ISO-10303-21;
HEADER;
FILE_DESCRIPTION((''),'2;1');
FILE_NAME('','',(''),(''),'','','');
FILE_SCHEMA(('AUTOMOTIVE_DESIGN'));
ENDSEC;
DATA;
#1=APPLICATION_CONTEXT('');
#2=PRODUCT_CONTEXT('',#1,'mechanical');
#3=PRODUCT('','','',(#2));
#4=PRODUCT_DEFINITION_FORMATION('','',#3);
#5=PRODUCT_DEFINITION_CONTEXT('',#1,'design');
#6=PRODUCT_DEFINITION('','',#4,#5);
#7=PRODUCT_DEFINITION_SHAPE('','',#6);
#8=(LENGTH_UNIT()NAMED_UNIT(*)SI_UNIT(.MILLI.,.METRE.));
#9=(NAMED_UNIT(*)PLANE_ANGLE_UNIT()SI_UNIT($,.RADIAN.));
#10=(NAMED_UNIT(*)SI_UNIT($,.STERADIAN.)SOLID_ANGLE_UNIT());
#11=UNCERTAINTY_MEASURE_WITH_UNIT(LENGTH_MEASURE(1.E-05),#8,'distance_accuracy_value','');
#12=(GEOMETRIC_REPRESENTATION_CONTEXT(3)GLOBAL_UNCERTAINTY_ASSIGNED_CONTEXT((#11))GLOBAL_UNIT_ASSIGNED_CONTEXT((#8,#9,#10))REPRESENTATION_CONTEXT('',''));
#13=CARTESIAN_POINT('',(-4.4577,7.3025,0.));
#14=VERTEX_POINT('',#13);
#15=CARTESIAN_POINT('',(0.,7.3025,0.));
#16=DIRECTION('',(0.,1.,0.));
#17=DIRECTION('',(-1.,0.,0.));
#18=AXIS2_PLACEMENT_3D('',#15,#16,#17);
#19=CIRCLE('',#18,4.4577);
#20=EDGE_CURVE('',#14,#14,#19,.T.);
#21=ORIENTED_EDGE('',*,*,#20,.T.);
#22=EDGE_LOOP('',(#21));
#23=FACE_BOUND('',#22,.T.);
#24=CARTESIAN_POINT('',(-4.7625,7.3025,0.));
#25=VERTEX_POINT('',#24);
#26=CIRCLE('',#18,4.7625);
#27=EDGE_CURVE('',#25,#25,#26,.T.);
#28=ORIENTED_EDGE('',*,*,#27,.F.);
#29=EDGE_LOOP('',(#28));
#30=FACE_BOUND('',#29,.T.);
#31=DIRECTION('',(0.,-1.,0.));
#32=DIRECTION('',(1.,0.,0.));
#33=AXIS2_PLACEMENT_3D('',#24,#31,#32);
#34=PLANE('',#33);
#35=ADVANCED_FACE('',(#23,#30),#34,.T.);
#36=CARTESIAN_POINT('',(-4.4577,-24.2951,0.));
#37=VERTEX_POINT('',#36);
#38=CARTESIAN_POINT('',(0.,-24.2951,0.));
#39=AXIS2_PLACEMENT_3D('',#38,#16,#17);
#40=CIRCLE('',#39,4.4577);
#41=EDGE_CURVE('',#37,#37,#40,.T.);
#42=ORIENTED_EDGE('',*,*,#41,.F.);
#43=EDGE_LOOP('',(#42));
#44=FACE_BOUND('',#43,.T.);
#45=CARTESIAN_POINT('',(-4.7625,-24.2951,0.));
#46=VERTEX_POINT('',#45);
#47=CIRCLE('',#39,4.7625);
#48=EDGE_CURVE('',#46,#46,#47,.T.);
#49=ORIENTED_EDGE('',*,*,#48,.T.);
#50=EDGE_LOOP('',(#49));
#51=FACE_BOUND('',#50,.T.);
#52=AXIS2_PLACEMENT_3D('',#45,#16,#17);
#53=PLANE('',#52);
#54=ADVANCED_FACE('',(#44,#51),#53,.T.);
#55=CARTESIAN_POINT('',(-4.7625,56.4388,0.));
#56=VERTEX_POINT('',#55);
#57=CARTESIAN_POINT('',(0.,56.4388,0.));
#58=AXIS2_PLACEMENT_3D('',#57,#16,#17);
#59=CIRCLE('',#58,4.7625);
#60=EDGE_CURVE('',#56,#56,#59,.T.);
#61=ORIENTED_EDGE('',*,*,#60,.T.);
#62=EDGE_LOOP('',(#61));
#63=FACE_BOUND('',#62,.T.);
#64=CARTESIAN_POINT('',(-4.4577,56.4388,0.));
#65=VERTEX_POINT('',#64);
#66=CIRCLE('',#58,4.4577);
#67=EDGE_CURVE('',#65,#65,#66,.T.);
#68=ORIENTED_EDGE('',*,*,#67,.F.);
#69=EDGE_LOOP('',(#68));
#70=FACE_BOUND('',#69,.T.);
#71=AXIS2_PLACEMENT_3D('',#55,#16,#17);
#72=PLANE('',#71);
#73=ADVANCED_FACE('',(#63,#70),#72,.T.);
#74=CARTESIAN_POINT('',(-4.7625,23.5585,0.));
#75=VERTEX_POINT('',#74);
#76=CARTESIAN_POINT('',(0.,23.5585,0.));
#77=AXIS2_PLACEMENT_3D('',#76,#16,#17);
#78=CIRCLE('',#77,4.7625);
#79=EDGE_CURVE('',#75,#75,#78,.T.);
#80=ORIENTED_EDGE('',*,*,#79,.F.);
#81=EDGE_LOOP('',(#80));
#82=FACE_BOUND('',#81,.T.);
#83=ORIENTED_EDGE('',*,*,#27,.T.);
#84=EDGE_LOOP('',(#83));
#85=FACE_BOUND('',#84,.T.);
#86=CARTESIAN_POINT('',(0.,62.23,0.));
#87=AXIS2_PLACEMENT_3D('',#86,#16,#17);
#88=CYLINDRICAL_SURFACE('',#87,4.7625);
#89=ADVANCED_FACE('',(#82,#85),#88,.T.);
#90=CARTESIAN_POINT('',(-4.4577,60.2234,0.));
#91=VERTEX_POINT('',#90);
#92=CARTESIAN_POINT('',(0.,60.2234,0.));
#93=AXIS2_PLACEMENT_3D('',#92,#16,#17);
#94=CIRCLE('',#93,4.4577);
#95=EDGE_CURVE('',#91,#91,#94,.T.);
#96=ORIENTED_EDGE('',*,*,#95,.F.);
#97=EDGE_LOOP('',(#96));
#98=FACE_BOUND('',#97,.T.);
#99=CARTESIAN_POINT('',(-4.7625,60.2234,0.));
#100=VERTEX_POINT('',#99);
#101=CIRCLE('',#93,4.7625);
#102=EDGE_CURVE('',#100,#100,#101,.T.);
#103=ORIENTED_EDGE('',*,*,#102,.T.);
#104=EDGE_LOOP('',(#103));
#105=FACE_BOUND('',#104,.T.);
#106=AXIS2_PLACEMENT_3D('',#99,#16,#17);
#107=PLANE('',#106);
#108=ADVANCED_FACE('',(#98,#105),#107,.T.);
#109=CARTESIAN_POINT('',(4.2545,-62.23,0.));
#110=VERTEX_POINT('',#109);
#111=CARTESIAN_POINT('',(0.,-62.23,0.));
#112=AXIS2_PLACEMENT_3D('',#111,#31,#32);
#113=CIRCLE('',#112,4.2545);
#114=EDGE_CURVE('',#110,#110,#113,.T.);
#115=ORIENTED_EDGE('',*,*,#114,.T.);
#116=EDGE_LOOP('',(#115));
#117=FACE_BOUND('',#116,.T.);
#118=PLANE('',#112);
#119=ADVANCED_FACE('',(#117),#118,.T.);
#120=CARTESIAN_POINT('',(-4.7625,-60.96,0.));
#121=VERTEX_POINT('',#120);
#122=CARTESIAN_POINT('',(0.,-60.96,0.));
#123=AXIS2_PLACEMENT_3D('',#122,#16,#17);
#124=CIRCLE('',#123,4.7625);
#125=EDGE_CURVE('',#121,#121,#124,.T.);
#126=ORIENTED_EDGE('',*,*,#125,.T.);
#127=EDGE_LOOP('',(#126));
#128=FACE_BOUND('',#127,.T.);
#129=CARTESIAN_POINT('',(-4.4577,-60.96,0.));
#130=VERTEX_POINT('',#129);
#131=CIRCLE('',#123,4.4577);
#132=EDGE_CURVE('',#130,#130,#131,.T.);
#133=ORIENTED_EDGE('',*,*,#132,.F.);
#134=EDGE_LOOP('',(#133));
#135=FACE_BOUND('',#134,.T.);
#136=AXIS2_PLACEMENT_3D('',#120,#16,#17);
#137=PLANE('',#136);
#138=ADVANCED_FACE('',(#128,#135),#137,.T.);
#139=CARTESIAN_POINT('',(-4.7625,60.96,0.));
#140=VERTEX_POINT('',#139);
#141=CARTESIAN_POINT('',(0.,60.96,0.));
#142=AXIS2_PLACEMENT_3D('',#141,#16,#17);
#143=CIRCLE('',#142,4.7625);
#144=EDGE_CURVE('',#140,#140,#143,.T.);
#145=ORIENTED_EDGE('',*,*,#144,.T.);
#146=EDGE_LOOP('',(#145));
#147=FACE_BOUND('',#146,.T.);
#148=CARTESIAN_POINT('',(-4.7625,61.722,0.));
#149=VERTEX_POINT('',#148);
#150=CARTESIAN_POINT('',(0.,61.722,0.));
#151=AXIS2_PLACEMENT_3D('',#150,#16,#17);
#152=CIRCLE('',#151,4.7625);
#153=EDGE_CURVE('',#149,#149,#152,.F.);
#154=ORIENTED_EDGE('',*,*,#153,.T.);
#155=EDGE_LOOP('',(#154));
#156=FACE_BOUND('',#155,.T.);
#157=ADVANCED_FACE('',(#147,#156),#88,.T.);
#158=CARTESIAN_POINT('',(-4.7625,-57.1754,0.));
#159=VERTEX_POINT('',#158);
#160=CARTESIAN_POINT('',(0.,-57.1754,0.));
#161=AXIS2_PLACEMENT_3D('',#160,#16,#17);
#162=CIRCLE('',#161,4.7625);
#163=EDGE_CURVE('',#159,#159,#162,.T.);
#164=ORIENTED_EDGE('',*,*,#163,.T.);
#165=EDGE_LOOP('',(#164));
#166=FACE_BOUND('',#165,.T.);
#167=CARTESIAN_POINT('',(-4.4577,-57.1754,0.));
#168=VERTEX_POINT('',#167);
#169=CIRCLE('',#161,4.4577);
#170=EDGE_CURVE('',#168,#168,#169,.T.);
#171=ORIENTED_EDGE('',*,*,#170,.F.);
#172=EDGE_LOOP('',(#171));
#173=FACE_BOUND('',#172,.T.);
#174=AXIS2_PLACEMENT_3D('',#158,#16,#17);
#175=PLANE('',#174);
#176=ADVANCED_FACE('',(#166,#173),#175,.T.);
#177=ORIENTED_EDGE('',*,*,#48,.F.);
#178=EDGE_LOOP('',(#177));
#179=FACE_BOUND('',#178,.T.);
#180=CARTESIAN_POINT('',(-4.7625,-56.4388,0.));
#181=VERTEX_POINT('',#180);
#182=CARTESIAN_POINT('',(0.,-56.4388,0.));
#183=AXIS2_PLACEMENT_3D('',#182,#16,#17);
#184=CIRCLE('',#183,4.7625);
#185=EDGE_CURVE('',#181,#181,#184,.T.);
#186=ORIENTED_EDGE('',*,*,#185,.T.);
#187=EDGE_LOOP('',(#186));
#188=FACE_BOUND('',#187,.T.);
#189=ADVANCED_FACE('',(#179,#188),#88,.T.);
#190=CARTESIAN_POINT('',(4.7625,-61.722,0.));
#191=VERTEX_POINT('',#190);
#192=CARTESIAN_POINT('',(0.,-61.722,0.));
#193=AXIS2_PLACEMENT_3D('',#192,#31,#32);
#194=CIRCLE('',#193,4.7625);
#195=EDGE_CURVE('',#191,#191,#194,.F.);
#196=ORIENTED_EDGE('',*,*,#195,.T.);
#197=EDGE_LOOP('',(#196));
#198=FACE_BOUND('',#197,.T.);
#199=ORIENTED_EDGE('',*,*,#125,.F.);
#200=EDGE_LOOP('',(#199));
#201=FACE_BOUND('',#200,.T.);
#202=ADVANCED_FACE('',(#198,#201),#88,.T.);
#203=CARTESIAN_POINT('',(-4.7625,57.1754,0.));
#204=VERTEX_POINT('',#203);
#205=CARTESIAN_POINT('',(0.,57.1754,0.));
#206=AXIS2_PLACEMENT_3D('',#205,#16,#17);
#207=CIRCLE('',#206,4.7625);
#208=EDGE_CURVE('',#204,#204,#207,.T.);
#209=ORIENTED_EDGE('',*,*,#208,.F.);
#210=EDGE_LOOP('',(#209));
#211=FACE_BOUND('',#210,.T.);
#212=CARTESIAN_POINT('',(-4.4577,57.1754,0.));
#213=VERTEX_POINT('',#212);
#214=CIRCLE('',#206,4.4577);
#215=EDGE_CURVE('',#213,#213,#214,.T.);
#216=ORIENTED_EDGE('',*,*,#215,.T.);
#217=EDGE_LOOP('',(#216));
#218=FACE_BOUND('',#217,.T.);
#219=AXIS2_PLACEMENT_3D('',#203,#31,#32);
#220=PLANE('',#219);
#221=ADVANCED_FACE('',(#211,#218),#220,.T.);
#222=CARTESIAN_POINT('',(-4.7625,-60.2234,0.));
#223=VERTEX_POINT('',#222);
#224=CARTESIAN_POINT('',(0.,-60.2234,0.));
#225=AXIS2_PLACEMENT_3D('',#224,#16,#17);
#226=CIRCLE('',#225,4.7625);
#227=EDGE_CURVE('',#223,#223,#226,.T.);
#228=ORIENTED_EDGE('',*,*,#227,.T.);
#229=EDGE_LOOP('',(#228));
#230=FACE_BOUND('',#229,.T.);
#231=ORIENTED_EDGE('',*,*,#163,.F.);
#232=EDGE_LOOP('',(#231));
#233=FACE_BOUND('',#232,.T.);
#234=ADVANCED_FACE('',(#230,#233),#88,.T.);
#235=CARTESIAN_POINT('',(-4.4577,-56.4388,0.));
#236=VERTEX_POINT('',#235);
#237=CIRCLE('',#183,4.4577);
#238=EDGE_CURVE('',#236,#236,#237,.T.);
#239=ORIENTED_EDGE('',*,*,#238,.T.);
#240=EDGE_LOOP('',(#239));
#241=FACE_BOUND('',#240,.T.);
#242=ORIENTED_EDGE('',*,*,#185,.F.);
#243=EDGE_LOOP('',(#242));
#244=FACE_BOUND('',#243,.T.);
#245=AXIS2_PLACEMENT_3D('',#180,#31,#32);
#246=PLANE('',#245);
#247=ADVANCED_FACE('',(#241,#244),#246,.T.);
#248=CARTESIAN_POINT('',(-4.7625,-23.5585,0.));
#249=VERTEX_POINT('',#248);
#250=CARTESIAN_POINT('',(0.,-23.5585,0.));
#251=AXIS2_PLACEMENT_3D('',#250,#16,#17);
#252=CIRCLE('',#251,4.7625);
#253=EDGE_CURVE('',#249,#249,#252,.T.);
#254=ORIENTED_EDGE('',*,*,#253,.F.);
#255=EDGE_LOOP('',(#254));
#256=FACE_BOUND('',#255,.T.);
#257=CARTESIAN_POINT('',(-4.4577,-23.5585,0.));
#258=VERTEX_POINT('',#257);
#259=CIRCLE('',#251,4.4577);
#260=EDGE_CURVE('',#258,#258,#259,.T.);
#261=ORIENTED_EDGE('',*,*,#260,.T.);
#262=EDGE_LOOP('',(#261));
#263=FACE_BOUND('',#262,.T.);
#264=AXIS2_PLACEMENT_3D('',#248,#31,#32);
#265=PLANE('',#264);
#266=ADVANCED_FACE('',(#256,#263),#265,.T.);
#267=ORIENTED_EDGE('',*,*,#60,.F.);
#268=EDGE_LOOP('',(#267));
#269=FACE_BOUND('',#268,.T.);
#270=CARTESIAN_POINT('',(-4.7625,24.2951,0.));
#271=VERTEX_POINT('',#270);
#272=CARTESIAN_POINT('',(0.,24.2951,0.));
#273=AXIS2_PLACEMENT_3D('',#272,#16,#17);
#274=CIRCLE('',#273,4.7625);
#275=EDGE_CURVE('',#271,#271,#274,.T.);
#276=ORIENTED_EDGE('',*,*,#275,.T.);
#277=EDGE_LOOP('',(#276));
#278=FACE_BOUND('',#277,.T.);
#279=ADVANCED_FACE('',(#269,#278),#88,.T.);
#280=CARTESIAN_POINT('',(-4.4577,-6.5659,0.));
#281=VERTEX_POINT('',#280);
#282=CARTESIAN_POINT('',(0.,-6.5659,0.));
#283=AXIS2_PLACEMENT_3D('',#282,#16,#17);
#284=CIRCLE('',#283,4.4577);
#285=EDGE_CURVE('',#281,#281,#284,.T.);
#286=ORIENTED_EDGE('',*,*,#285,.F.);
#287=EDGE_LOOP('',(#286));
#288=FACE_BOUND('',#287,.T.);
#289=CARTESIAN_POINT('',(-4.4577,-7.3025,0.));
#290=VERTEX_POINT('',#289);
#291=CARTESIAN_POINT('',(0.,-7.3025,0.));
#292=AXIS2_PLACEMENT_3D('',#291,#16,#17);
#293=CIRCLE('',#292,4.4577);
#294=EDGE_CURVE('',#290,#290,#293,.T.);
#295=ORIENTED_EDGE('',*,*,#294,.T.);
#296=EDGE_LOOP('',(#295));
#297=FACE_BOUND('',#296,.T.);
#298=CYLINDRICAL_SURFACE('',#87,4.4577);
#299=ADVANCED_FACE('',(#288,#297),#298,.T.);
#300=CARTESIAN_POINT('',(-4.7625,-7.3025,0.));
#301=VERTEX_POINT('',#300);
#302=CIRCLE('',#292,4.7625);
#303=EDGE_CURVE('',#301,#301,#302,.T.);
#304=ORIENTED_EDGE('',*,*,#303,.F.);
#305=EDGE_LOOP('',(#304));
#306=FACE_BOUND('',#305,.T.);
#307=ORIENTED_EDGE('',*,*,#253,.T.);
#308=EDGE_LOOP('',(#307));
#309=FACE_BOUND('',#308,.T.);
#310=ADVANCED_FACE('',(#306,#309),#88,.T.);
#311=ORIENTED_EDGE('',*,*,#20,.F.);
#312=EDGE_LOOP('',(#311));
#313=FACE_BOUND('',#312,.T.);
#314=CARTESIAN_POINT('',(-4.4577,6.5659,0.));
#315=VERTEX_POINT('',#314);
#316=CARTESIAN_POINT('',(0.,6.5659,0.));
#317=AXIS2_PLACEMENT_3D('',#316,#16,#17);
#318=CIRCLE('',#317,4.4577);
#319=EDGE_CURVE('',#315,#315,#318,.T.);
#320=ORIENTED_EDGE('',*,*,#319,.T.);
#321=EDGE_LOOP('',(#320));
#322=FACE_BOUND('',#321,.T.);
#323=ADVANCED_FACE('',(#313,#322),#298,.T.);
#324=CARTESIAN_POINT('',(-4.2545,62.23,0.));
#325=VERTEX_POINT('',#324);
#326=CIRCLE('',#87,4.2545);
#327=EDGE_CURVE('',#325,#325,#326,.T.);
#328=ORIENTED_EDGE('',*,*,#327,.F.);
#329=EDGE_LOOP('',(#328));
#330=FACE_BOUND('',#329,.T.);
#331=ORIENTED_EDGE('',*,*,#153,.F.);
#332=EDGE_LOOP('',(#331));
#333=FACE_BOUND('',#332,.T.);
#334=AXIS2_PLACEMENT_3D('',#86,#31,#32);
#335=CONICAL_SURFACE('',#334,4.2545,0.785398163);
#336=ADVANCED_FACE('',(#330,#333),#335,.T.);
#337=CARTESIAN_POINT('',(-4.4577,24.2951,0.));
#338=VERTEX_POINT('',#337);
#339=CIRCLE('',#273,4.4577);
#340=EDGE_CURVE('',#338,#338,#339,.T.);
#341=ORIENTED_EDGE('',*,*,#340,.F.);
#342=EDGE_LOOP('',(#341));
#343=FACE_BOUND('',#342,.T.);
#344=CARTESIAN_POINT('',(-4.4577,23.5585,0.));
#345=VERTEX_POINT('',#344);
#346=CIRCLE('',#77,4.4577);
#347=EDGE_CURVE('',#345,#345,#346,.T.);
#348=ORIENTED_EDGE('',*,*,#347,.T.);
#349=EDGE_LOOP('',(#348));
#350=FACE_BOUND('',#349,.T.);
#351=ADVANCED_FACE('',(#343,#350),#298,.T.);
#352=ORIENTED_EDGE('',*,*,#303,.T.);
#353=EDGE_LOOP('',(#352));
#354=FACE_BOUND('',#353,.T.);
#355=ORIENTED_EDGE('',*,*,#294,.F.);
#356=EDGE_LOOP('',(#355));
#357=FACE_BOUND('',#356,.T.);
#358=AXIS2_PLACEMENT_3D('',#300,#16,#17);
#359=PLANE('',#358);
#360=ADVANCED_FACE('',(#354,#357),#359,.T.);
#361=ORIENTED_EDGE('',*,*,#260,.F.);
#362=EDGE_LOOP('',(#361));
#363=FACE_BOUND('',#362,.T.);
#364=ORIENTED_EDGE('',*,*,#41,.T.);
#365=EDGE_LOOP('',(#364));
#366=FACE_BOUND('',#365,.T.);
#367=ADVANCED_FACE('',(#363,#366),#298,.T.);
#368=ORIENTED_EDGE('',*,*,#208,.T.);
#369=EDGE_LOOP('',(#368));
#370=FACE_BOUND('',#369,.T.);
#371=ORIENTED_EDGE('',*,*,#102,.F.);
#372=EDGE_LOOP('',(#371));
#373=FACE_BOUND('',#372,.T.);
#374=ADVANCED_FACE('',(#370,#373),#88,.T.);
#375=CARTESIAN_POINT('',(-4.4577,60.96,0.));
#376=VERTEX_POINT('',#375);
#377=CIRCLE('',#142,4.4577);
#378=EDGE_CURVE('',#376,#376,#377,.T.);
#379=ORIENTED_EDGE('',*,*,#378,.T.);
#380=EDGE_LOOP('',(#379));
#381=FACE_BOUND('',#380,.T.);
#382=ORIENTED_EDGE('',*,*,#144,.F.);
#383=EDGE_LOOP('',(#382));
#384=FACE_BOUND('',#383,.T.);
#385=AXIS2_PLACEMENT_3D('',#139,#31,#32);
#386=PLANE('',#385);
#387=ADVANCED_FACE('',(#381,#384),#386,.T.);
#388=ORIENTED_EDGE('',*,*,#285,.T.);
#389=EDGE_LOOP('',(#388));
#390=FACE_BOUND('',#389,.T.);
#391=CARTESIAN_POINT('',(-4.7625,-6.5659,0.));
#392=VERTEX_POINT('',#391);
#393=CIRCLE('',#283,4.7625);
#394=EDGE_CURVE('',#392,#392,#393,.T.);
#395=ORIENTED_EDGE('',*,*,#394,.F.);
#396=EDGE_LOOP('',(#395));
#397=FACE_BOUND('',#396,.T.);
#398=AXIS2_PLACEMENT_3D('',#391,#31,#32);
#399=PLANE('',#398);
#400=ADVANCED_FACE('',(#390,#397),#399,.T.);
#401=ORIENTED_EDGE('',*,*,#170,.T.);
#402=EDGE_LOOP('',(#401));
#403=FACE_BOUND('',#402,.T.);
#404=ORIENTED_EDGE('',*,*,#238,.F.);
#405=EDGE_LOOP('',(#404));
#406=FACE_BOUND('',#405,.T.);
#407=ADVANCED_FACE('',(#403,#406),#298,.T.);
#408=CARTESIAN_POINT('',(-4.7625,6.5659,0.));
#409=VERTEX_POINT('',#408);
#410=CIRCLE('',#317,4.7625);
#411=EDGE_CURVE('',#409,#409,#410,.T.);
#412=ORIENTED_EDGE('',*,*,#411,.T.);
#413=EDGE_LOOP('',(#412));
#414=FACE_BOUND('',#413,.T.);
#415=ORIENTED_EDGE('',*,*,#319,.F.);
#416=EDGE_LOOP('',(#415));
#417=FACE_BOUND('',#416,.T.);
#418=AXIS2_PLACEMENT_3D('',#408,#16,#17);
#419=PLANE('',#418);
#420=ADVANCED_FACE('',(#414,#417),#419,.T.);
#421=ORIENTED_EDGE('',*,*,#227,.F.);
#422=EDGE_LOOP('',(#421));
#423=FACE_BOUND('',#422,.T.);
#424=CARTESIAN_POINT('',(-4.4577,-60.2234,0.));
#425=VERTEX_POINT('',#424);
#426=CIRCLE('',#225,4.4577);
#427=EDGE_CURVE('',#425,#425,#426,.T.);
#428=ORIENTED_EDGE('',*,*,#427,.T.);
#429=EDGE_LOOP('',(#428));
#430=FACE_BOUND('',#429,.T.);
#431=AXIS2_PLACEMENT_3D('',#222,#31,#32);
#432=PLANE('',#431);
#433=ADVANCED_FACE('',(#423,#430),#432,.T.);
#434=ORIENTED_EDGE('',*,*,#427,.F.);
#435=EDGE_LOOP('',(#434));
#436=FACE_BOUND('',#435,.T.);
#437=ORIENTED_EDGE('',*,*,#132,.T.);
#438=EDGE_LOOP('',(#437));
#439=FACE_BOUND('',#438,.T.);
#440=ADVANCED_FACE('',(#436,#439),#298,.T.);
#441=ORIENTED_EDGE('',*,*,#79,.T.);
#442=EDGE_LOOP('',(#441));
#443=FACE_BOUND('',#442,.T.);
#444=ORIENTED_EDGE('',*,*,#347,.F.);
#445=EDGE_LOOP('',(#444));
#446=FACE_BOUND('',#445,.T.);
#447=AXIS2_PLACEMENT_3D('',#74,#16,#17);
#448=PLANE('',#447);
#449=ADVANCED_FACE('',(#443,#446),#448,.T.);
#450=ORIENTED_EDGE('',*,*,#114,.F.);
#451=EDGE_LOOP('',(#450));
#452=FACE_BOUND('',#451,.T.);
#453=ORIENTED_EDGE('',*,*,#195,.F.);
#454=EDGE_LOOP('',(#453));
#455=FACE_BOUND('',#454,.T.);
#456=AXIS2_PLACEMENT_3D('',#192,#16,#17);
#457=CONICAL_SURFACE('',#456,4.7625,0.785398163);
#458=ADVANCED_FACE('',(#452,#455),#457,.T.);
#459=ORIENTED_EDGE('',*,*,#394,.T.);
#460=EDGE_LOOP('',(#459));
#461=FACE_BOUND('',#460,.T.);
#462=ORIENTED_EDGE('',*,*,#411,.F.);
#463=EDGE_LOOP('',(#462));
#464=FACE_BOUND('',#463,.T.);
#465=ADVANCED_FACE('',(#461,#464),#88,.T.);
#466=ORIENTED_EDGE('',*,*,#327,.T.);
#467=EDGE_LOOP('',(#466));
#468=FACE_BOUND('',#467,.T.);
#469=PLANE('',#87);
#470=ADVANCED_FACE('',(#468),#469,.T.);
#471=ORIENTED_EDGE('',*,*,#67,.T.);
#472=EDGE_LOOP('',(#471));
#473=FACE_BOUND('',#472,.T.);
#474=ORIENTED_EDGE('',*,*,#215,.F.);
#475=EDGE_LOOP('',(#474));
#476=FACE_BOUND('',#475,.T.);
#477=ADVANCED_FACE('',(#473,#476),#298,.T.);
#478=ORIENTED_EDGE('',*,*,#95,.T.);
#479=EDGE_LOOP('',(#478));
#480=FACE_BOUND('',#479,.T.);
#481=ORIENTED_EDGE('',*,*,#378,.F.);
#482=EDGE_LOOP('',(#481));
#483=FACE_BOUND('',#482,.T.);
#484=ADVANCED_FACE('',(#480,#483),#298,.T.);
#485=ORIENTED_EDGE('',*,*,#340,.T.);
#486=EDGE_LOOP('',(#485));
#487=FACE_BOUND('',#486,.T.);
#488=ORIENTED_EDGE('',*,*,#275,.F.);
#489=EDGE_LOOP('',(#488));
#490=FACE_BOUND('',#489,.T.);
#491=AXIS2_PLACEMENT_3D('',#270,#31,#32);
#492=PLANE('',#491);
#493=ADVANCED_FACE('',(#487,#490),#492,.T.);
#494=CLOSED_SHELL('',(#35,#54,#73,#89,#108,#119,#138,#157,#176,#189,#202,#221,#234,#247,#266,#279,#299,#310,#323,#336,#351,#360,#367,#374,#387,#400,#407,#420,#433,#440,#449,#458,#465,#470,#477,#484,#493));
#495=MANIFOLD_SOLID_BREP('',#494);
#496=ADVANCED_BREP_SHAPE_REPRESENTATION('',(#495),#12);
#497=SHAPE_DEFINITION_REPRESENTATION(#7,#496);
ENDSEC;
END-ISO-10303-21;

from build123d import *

# Parameters (mm, degrees)
CHAMFER1_SIZE = 0.508


with BuildPart() as part:
    # Sketch1 → Revolve1 (revolve)
    with BuildSketch(Plane.XY):
        Polygon((-4.7625, 60.2234), (-4.7625, 57.1754), (-4.4577, 57.1754), (-4.4577, 56.4388), (-4.7625, 56.4388), (-4.7625, 24.2951), (-4.4577, 24.2951), (-4.4577, 23.5585), (-4.7625, 23.5585), (-4.7625, 7.3025), (-4.4577, 7.3025), (-4.4577, 6.5659), (-4.7625, 6.5659), (-4.7625, -6.5659), (-4.4577, -6.5659), (-4.4577, -7.3025), (-4.7625, -7.3025), (-4.7625, -23.5585), (-4.4577, -23.5585), (-4.4577, -24.2951), (-4.7625, -24.2951), (-4.7625, -56.4388), (-4.4577, -56.4388), (-4.4577, -57.1754), (-4.7625, -57.1754), (-4.7625, -60.2234), (-4.4577, -60.2234), (-4.4577, -60.96), (-4.7625, -60.96), (-4.7625, -62.23), (0, -62.23), (0, 62.23), (-4.7625, 62.23), (-4.7625, 60.96), (-4.4577, 60.96), (-4.4577, 60.2234), align=None)
    revolve(axis=Axis((0, 62.23, 0), (0, -1, 0)))

    # Chamfer1
    chamfer1_edges = [part.edges().sort_by_distance(p)[0] for p in [
        (4.7625, 62.23, 0),
        (4.7625, -62.23, 0),
    ]]
    chamfer(chamfer1_edges, length=CHAMFER1_SIZE)


solid = part.part
